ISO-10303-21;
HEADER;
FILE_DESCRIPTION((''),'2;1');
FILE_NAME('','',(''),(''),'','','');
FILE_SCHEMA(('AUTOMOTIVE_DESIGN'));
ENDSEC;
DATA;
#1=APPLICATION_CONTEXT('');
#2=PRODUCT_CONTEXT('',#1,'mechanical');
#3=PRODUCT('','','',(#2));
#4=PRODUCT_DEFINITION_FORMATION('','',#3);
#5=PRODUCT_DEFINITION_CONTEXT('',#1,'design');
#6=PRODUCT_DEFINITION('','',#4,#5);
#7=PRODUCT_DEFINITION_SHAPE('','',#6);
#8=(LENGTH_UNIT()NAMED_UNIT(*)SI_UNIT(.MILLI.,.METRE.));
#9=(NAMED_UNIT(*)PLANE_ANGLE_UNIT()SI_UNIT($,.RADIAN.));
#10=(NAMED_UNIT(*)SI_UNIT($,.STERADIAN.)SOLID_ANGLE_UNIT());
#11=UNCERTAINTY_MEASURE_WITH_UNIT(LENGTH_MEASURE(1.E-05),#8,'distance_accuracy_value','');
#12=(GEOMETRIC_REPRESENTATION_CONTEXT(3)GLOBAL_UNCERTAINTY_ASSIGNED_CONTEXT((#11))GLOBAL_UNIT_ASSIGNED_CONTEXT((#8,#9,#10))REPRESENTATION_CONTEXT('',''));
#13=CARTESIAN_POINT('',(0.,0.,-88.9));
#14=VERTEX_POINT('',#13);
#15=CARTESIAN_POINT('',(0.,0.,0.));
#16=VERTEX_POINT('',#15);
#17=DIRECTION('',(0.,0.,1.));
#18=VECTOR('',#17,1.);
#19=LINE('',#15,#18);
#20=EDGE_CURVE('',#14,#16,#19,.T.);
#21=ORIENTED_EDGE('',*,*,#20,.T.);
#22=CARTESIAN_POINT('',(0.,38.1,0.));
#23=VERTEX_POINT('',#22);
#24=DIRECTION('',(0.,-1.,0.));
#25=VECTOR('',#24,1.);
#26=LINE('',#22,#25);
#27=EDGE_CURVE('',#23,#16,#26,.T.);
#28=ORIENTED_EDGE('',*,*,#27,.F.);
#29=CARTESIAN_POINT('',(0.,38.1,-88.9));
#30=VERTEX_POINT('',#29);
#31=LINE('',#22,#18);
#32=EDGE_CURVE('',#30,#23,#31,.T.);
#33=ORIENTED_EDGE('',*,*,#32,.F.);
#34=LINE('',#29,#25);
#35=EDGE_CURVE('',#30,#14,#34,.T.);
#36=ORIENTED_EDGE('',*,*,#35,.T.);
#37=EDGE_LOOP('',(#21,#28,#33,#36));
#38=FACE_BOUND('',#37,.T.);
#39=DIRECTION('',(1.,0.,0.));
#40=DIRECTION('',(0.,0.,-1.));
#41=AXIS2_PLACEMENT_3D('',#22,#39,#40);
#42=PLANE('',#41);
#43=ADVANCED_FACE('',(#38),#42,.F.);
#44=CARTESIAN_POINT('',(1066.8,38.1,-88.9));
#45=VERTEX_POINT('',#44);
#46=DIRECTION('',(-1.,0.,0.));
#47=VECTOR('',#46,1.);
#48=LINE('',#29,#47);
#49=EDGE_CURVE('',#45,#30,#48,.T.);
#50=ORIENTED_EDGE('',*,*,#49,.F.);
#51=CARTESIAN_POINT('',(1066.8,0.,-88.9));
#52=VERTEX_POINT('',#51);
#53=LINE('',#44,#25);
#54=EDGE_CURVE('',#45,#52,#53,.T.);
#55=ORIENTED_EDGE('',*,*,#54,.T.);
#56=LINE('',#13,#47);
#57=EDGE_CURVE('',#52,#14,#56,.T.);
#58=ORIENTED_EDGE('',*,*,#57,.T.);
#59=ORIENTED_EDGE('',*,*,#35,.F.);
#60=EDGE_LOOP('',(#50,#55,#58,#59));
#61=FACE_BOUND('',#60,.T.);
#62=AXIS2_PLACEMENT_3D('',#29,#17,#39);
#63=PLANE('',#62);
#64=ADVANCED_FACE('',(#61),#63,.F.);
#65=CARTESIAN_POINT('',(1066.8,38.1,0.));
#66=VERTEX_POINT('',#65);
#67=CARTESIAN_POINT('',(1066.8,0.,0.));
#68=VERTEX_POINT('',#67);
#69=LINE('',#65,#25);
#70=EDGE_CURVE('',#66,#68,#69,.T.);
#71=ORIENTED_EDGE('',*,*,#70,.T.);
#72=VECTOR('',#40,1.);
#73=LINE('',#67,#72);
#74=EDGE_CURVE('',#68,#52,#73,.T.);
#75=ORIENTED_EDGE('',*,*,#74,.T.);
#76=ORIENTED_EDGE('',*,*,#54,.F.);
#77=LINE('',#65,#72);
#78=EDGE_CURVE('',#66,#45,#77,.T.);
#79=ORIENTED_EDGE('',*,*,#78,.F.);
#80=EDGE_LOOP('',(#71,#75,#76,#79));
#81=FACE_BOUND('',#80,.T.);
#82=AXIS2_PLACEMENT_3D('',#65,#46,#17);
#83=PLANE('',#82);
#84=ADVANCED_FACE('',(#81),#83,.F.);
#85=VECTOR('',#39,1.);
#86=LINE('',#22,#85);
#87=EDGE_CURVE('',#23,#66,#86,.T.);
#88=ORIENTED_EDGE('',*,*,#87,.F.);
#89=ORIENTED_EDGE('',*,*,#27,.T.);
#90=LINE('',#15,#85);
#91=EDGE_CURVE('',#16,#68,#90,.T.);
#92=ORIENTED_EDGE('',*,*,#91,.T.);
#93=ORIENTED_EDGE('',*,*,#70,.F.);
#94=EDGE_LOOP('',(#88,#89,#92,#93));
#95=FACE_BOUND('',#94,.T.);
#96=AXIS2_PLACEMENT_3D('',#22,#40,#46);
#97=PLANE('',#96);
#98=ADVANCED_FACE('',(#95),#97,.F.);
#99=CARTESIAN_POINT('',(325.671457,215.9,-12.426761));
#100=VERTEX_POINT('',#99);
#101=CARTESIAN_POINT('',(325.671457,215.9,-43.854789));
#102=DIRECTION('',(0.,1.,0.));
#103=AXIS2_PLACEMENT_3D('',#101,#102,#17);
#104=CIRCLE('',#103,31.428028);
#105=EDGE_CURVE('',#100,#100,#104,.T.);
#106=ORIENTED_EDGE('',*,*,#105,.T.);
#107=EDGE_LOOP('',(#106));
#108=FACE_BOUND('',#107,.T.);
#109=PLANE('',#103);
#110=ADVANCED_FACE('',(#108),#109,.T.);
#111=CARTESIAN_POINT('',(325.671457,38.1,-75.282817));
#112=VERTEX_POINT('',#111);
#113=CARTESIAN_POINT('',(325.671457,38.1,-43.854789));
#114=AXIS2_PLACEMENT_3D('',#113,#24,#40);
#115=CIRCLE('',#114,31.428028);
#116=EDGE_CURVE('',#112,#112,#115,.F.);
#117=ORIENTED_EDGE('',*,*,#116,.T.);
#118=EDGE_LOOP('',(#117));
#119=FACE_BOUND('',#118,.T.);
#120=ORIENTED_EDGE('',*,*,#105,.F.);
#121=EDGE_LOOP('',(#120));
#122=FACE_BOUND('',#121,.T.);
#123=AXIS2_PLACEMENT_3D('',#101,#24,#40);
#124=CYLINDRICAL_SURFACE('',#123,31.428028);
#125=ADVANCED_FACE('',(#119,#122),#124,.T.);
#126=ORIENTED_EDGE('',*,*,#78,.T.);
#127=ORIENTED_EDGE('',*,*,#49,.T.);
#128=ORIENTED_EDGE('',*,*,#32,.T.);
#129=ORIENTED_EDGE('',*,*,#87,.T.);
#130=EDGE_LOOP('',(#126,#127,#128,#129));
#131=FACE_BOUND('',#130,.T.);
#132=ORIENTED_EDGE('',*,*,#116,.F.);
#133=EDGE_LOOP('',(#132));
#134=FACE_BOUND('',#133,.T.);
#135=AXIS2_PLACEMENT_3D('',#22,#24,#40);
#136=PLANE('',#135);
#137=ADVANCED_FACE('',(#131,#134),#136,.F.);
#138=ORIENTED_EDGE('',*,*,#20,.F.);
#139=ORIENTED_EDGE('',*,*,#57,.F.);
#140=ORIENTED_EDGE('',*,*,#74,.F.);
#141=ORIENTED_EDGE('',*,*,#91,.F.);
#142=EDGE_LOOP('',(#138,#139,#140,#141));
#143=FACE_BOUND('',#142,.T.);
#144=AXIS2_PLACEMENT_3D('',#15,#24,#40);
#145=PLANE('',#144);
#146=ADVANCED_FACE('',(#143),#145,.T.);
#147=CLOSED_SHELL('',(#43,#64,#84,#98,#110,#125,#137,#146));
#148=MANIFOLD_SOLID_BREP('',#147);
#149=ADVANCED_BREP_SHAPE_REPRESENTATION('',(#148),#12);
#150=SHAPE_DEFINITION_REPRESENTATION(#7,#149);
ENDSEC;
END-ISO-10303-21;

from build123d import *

# Parameters (mm, degrees)
SKETCH1_W           = 1066.8
SKETCH1_H           = 88.9
BOSS_EXTRUDE1_DEPTH = 38.1
SKETCH2_R           = 31.428028039
BOSS_EXTRUDE2_DEPTH = 177.8


with BuildPart() as part:
    # Sketch1 → Boss-Extrude1 (new body)
    with BuildSketch(Plane(origin=(0, 0, 0), x_dir=(1, 0, 0), z_dir=(0, 1, 0))):
        with Locations((533.4, 44.45)):
            Rectangle(SKETCH1_W, SKETCH1_H)
    extrude(amount=BOSS_EXTRUDE1_DEPTH)

    # Sketch2 → Boss-Extrude2 (add)
    with BuildSketch(Plane(origin=(0, 38.1, 0), x_dir=(1, 0, 0), z_dir=(0, 1, 0))):
        with Locations((325.671457389, 43.854789276)):
            Circle(SKETCH2_R)
    extrude(amount=BOSS_EXTRUDE2_DEPTH)


solid = part.part
